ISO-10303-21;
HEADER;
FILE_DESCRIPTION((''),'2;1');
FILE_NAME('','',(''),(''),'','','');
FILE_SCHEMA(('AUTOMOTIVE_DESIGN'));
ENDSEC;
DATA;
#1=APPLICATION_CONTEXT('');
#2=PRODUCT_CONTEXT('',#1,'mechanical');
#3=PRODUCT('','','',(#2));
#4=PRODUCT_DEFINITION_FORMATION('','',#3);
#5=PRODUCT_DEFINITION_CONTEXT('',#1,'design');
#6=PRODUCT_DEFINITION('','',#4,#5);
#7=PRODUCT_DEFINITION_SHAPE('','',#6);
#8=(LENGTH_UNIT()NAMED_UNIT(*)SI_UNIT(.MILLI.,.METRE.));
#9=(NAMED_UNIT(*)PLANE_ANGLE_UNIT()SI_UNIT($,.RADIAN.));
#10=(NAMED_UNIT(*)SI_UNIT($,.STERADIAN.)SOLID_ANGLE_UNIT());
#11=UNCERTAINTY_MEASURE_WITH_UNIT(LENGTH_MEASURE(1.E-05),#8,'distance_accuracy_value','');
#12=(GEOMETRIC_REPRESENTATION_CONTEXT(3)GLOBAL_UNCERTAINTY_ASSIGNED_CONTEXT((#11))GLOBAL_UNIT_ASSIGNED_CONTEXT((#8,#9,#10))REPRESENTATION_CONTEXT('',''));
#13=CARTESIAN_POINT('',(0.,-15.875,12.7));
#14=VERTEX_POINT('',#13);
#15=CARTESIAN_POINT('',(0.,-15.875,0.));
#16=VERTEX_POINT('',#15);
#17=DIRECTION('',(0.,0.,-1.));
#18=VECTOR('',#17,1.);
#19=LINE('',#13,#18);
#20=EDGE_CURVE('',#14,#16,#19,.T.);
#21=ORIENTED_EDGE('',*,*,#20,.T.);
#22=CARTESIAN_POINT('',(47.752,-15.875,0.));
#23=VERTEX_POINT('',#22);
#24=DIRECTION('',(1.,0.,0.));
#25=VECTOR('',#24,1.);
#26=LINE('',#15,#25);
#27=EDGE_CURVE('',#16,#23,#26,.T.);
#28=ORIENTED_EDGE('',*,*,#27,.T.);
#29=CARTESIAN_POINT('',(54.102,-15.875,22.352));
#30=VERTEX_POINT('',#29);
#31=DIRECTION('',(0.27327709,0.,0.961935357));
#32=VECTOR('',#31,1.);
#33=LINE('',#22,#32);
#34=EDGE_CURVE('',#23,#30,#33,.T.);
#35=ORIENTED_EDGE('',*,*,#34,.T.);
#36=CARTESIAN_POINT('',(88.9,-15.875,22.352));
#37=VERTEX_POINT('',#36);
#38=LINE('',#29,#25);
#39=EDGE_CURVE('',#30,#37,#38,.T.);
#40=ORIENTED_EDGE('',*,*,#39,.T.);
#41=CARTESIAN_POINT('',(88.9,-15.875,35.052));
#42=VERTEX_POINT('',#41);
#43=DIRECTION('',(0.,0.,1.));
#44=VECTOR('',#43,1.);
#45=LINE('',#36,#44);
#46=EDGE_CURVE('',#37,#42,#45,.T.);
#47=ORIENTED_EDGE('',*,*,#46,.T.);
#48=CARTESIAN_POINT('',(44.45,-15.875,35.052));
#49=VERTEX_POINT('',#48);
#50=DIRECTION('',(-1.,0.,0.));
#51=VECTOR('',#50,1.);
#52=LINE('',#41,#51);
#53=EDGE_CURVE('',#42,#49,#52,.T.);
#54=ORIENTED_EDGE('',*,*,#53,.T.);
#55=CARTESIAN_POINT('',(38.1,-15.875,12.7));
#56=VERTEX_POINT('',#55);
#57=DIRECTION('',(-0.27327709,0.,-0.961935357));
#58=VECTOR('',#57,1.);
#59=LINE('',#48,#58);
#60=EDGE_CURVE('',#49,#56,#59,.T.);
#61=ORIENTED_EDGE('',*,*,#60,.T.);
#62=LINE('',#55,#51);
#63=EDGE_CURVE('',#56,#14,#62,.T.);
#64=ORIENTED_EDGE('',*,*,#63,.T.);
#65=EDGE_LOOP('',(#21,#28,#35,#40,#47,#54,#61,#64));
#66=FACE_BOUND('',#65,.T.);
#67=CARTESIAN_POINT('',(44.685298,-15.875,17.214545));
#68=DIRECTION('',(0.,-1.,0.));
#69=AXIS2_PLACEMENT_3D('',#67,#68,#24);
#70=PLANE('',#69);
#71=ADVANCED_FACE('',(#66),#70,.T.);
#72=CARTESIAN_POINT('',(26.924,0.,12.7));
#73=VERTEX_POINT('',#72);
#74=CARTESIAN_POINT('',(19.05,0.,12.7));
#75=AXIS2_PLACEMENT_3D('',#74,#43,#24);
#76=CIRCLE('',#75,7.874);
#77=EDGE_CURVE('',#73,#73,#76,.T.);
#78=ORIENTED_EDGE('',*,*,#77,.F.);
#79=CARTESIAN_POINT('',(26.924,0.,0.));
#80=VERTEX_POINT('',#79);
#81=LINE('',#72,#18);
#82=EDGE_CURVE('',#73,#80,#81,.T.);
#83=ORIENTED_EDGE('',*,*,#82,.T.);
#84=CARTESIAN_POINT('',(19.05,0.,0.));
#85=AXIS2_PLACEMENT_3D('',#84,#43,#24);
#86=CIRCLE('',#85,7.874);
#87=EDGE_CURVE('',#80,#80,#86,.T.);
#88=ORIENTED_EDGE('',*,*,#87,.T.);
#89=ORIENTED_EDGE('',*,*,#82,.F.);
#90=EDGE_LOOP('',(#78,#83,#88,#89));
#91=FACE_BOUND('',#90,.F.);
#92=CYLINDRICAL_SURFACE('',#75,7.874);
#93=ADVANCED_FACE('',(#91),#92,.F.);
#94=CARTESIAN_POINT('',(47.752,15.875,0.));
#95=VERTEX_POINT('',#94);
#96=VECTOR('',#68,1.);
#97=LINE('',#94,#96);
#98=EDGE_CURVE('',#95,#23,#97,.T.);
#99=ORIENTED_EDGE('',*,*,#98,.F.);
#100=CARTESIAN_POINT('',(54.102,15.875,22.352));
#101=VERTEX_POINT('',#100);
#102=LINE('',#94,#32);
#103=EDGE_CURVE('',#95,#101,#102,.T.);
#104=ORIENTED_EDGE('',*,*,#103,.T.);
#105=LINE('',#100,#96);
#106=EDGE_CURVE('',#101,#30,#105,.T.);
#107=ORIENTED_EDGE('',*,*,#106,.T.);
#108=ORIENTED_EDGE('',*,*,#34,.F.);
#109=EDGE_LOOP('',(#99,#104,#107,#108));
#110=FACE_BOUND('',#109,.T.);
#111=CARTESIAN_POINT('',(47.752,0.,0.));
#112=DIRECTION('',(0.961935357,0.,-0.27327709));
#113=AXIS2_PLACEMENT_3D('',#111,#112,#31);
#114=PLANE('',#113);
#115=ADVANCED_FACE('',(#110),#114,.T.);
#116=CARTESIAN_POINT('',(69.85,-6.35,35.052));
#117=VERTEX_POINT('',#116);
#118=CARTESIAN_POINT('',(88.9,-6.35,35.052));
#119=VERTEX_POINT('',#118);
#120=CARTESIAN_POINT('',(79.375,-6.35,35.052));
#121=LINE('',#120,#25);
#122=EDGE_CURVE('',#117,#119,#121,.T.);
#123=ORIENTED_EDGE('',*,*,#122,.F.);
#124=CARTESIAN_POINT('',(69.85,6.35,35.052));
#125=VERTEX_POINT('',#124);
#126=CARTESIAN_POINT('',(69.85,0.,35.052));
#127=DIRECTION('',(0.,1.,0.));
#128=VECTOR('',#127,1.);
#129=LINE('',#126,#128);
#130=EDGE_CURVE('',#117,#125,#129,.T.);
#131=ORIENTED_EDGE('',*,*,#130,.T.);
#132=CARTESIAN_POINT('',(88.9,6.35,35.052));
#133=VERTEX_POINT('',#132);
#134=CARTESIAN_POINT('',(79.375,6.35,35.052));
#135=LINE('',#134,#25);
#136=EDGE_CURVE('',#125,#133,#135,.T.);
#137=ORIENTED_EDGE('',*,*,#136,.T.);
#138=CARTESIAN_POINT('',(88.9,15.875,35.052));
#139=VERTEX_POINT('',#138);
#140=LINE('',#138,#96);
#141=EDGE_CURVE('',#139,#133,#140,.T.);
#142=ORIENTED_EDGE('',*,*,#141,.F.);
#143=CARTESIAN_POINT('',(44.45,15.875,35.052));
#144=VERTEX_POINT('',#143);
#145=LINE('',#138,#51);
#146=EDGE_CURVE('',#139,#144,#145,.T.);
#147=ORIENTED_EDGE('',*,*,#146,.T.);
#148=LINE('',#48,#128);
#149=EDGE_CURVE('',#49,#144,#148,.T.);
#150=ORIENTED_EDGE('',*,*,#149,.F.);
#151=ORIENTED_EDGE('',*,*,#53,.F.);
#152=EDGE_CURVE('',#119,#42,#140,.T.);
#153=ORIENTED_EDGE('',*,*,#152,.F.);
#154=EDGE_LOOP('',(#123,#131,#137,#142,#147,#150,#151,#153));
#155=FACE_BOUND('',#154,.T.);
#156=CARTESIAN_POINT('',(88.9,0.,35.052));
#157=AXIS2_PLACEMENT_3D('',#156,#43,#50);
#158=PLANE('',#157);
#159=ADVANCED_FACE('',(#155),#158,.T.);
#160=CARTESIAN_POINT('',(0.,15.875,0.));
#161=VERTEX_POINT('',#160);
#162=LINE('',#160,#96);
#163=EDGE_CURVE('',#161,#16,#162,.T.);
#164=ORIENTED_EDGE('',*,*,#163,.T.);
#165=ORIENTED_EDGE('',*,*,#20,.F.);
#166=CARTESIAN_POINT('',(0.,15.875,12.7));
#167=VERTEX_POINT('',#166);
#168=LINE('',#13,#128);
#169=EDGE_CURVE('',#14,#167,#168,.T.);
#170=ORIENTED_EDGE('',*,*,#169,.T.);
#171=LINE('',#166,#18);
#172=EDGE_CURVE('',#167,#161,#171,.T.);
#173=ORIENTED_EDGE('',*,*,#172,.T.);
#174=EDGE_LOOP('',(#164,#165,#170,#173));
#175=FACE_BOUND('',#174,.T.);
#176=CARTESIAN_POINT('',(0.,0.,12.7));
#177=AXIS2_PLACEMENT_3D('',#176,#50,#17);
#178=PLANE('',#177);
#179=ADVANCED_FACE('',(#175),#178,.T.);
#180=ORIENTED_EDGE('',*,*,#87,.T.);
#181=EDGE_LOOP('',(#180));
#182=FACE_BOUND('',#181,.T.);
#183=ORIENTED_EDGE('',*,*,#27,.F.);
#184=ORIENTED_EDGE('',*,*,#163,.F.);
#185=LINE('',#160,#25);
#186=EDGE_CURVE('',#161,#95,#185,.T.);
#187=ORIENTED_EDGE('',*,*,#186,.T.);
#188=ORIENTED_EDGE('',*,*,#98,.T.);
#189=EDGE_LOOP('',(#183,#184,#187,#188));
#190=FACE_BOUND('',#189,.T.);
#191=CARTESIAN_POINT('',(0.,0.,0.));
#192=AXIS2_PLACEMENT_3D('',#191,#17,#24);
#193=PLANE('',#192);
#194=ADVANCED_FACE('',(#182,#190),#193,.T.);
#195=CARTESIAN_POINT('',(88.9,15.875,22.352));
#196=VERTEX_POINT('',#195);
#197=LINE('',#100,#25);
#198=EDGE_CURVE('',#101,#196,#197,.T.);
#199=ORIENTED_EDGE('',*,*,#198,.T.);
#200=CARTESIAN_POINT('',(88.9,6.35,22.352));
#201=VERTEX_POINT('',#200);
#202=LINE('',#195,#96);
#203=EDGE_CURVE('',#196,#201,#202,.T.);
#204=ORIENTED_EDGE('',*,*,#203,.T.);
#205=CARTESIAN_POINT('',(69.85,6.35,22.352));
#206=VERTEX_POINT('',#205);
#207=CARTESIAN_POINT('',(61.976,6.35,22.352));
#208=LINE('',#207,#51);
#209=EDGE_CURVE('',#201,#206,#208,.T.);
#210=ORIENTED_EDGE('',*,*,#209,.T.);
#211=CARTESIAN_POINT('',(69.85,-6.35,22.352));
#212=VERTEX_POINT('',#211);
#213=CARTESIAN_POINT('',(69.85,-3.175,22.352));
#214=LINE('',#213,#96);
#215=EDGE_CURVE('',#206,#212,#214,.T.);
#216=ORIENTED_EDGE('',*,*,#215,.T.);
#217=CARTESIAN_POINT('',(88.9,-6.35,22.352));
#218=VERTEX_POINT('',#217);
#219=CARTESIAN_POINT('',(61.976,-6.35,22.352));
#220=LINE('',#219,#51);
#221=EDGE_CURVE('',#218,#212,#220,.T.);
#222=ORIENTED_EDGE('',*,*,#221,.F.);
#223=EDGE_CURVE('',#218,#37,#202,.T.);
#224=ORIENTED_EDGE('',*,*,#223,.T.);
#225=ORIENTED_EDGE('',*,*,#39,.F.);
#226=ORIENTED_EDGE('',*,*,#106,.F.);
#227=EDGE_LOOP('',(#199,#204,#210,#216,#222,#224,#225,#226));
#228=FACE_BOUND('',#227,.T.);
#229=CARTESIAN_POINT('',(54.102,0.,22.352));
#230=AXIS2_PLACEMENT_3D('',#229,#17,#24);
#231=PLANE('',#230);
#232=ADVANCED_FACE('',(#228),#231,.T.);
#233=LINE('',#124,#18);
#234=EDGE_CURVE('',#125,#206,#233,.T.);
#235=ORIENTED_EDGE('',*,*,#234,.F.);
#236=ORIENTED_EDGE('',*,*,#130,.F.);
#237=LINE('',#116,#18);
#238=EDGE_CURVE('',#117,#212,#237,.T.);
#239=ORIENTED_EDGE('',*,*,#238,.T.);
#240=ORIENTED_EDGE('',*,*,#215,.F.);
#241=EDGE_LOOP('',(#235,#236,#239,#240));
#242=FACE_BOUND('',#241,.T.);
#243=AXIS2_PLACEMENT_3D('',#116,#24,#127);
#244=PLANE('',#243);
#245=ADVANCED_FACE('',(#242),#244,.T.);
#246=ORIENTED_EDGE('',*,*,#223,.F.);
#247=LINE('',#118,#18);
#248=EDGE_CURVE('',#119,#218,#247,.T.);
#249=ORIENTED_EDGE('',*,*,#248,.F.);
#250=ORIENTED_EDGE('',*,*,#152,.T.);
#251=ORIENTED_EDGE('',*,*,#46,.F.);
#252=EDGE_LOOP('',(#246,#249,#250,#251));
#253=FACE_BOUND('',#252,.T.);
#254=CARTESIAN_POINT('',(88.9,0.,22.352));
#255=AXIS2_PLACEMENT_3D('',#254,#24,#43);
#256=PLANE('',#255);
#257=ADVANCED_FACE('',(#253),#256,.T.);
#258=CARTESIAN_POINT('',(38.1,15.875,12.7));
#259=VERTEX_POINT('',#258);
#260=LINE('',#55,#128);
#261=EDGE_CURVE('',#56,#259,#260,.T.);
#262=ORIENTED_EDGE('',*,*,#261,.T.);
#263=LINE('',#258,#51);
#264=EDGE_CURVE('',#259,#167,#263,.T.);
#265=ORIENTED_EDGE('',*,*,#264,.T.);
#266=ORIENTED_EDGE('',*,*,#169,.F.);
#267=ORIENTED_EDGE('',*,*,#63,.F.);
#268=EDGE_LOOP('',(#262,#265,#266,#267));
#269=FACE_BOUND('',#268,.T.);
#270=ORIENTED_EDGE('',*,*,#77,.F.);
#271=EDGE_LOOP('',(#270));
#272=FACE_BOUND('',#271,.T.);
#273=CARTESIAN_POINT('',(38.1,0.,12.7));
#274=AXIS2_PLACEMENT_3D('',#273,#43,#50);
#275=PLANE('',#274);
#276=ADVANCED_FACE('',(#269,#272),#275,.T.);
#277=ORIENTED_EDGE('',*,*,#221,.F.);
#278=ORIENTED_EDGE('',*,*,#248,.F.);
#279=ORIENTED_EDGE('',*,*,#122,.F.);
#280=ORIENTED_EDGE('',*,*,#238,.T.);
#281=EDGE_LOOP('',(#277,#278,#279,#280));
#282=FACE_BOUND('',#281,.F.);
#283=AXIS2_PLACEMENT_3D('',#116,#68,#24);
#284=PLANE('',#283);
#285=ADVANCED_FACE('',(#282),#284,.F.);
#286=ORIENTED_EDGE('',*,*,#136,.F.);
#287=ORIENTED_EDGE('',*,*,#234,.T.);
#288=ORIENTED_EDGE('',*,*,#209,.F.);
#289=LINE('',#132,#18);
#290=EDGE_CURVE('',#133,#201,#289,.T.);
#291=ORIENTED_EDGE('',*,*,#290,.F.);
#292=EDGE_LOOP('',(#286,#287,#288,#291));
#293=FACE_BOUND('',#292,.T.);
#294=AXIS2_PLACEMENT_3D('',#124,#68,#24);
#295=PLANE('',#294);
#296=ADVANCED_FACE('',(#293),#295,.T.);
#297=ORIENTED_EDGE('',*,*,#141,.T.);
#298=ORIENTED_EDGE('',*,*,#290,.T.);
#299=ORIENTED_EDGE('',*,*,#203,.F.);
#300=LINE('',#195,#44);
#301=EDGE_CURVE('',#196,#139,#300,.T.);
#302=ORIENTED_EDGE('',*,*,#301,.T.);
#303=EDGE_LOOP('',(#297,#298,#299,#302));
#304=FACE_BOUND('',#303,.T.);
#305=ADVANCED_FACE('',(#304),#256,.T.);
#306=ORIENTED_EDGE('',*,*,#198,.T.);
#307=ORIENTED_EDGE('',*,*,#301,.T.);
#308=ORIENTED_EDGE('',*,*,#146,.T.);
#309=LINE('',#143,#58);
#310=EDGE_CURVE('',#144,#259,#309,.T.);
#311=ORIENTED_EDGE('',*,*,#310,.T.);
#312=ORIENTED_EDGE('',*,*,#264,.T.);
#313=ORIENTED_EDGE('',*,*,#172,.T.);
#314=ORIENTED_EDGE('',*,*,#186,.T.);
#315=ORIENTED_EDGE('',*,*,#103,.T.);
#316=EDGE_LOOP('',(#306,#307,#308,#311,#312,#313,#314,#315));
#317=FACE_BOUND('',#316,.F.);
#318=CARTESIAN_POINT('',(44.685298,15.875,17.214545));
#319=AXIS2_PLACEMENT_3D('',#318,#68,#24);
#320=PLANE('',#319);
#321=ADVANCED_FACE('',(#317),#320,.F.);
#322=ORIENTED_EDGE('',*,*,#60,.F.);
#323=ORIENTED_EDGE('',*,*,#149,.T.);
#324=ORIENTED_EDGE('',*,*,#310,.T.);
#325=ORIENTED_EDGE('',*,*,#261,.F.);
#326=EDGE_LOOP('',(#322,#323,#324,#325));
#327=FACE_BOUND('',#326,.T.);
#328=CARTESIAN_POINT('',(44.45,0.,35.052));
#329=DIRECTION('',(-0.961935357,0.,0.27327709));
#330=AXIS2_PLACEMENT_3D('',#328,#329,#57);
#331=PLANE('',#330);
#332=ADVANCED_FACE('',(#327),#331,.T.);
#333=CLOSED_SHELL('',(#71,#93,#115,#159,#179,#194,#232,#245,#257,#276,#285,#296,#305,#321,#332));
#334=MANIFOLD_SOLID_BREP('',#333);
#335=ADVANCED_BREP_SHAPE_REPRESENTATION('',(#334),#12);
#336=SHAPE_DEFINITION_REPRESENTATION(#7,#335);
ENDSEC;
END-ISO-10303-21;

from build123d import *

# Parameters (mm, degrees)
F1_DEPTH = 15.875
F2_W     = 19.05
F2_H     = 12.7
F3_DEPTH = 25.4
F4_R     = 7.874
F5_DEPTH = 25.4


with BuildPart() as f1:
    # F0 (on Front) → F1 (new body, symmetric)
    with BuildSketch(Plane.XZ):
        Polygon((0, 12.7), (0, 0), (47.752, 0), (54.102, 22.352), (88.9, 22.352), (88.9, 35.052), (44.45, 35.052), (38.1, 12.7), align=None)
    extrude(amount=F1_DEPTH, both=True)

    # F2 (on face) → F3 (cut)
    with BuildSketch(Plane.XY.offset(35.052)):
        with Locations((79.375, 0)):
            Rectangle(F2_W, F2_H)
    extrude(amount=-F3_DEPTH, mode=Mode.SUBTRACT)

    # F4 (on face) → F5 (cut)
    with BuildSketch(Plane.XY.offset(12.7)):
        with Locations((19.05, 0)):
            Circle(F4_R)
    extrude(amount=-F5_DEPTH, mode=Mode.SUBTRACT)


solid = f1.part
